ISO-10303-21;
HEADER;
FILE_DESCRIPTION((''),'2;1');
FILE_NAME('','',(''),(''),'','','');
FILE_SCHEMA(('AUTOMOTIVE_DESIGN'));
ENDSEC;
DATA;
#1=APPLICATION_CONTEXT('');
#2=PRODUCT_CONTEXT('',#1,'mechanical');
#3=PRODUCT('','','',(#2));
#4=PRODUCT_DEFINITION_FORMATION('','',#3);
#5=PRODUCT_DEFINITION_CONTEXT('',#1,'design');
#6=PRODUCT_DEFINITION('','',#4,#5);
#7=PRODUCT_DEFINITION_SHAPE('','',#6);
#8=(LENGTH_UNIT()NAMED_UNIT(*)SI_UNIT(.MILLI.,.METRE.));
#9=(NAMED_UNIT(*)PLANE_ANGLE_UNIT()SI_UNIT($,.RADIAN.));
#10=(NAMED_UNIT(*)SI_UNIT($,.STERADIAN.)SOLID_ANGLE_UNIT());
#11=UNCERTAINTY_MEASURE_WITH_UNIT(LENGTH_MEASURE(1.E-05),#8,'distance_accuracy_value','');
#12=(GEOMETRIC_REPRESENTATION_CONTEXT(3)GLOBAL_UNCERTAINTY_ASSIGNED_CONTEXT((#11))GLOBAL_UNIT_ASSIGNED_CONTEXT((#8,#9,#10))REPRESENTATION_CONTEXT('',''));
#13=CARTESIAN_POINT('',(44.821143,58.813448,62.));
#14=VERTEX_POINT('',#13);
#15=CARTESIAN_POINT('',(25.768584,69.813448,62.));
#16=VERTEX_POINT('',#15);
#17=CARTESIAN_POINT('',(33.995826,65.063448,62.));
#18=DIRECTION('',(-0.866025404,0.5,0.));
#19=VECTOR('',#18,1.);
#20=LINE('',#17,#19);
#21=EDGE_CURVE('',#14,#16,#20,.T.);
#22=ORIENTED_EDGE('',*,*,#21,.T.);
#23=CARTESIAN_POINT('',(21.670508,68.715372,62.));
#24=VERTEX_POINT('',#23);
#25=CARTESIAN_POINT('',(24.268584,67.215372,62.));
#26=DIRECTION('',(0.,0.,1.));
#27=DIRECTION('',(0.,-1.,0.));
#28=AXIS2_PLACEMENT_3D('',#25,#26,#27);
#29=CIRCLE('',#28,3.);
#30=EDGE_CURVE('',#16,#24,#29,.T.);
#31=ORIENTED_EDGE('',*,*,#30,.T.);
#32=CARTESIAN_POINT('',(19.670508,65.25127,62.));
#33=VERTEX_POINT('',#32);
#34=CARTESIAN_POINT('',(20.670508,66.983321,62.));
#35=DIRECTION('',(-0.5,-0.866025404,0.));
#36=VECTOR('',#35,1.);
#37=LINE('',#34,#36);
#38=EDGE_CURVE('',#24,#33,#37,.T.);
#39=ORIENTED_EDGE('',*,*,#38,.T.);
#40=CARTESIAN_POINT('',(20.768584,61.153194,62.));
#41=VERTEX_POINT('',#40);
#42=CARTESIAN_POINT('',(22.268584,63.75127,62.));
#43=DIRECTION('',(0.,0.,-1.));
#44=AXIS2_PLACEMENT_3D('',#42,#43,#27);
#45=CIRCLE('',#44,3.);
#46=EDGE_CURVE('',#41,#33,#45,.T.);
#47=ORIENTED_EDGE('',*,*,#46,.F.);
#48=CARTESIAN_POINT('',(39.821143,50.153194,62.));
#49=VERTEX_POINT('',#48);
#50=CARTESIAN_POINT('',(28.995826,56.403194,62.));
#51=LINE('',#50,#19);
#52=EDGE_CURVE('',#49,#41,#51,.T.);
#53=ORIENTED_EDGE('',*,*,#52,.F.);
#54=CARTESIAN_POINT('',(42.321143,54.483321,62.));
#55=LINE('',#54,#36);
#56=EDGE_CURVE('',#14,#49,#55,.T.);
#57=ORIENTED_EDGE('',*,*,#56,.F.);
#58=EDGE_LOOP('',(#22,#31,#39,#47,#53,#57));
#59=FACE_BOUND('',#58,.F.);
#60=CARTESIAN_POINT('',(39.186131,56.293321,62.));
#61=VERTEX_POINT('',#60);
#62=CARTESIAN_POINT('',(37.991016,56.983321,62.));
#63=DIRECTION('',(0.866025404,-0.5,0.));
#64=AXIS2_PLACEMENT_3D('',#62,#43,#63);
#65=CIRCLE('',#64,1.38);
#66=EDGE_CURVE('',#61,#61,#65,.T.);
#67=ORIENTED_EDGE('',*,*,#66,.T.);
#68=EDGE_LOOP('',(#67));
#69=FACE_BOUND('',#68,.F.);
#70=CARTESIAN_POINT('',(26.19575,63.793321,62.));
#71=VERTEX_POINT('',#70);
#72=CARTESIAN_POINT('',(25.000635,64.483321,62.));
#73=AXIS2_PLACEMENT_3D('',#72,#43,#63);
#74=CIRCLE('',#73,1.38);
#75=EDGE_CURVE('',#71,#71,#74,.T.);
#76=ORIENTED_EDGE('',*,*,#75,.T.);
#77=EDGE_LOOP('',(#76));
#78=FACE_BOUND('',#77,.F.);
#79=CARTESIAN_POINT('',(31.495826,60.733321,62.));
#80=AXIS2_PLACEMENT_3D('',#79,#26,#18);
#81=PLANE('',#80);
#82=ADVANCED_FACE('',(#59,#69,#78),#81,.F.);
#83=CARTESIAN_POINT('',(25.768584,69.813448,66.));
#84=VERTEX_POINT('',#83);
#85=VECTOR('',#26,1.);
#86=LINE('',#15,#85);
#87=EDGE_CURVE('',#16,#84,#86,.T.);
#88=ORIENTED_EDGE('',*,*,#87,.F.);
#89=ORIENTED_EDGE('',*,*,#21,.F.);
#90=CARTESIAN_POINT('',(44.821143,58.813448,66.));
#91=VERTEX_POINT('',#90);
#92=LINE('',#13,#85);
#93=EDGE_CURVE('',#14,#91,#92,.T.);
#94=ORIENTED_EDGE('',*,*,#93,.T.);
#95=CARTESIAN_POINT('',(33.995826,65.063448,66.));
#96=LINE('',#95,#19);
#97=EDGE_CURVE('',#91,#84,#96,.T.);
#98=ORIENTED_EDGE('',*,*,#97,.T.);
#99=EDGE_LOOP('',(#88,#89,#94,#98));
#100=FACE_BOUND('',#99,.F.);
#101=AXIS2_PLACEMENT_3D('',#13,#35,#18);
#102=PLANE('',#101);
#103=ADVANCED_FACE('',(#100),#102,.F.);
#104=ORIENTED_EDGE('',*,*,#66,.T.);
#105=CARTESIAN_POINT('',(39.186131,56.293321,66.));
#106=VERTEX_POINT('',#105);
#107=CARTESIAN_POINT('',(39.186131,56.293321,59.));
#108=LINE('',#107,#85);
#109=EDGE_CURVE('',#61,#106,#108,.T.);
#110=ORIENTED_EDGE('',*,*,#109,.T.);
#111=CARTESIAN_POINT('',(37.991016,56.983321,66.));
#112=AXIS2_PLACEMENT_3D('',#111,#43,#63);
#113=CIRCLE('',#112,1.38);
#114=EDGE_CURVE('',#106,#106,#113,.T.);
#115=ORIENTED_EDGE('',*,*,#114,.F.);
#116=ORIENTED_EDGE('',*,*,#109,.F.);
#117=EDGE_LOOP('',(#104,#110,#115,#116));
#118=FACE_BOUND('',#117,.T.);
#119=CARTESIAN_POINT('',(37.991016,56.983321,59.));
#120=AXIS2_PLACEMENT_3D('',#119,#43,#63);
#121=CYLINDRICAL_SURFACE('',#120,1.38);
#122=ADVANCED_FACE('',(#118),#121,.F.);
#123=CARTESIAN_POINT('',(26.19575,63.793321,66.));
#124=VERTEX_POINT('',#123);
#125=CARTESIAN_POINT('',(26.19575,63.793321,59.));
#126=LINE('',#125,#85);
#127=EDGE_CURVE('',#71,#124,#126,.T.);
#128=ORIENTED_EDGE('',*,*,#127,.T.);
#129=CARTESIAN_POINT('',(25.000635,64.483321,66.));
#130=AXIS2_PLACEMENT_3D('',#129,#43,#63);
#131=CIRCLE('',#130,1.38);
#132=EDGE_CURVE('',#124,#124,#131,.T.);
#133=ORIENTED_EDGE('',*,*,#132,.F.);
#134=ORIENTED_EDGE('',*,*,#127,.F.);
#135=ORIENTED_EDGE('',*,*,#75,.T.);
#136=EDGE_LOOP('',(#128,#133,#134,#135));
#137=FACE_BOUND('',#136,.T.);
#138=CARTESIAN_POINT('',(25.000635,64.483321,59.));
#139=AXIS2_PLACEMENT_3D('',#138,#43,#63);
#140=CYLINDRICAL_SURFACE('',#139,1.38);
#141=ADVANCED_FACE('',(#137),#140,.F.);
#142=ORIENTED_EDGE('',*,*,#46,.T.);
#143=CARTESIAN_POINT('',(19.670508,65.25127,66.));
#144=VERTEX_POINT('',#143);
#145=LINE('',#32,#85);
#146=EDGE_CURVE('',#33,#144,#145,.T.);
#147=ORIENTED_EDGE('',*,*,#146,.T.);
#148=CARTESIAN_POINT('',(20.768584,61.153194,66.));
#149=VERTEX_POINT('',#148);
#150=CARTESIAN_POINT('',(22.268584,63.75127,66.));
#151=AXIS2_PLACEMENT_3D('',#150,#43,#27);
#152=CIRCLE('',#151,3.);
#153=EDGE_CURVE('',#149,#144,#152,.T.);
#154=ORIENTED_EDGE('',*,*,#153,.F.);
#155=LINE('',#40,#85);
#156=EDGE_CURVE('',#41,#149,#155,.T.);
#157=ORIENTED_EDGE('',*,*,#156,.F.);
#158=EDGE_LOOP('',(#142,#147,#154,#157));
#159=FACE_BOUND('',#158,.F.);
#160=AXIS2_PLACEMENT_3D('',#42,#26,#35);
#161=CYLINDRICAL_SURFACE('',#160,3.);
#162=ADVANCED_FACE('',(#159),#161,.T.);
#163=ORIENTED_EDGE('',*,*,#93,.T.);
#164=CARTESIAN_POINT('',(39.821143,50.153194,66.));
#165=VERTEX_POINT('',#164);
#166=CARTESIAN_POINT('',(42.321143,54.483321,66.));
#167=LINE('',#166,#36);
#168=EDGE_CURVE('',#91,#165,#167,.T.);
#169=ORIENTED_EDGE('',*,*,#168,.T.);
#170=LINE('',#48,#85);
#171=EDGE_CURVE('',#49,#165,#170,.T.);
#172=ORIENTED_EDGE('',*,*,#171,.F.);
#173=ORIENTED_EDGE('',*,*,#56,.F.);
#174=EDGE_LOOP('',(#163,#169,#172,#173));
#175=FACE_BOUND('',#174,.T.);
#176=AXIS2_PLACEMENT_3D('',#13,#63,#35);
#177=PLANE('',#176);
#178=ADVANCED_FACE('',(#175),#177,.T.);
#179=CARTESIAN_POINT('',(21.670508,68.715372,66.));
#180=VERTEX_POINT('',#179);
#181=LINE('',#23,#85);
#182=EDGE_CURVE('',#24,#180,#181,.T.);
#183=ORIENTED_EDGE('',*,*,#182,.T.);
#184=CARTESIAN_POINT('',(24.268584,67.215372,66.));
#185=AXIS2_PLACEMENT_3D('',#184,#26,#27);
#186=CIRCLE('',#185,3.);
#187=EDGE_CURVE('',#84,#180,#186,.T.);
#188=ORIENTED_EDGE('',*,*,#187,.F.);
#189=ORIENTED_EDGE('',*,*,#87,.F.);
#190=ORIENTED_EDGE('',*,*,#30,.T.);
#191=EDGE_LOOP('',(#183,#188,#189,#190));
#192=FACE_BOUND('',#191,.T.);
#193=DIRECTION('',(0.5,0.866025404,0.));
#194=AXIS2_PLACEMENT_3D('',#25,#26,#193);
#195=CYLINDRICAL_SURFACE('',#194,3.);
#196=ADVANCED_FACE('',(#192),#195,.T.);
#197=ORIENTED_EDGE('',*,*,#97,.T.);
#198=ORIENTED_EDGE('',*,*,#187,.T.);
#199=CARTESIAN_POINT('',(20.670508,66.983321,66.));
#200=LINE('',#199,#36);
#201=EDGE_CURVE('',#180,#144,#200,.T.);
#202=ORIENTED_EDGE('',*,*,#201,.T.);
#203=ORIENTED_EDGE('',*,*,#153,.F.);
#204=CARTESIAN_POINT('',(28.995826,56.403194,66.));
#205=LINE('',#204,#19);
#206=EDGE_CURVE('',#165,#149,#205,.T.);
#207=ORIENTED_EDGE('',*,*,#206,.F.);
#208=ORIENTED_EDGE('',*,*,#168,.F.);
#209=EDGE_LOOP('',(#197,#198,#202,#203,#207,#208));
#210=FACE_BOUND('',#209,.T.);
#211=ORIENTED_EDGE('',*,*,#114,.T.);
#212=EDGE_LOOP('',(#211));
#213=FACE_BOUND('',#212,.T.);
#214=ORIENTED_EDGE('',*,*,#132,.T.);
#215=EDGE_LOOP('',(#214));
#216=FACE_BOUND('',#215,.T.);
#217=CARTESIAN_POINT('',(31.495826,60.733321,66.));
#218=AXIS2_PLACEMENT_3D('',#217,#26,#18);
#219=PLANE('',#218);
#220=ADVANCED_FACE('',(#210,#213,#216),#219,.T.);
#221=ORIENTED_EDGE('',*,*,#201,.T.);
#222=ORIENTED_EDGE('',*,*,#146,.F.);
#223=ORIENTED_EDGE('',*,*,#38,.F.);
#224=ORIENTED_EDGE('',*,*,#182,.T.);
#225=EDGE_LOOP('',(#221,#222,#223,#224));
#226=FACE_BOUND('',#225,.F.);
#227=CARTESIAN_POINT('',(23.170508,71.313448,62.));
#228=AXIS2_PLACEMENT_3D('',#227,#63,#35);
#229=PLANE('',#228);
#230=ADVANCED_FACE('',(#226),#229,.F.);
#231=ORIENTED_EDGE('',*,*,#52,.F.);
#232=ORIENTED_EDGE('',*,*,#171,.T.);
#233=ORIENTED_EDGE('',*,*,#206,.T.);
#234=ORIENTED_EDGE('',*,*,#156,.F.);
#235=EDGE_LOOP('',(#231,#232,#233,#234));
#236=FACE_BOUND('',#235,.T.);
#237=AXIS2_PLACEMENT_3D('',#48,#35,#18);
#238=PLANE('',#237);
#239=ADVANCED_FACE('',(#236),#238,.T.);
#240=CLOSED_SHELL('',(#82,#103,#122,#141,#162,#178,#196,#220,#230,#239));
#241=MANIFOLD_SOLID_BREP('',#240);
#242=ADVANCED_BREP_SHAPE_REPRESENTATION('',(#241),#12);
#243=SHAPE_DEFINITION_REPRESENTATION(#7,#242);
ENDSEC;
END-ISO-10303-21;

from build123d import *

# Parameters (mm, degrees)
CYLINDER045_R          = 1.38
CYLINDER045_DEPTH      = 10
CYLINDER044_R          = 1.38
CYLINDER044_DEPTH      = 10
BOX026_W               = 25
BOX026_H               = 10
BOX026_DEPTH           = 4
CUT024_PLACEMENT_ANGLE = 30
FILLET001_R            = 3


with BuildPart() as cylinder045:
    # Cylinder045 → Cylinder045 (new body)
    with BuildSketch(Plane(origin=(25, 52, 59), x_dir=(1, 0, 0), z_dir=(0, 0, 1))):
        Circle(CYLINDER045_R)
    extrude(amount=CYLINDER045_DEPTH)


with BuildPart() as cylinder044:
    # Cylinder044 → Cylinder044 (new body)
    with BuildSketch(Plane(origin=(40, 52, 59), x_dir=(1, 0, 0), z_dir=(0, 0, 1))):
        Circle(CYLINDER044_R)
    extrude(amount=CYLINDER044_DEPTH)


with BuildPart() as fillet001:
    # Box026 → Box026 (new body)
    with BuildSketch(Plane(origin=(45, 57, 62), x_dir=(-1, 0, 0), z_dir=(0, 0, 1))):
        with Locations((12.5, 5)):
            Rectangle(BOX026_W, BOX026_H)
    extrude(amount=BOX026_DEPTH)

    # Cut025: cut Cylinder044
    add(cylinder044.part, mode=Mode.SUBTRACT)

    # Cut024: cut Cylinder045
    add(cylinder045.part, mode=Mode.SUBTRACT)


with BuildPart() as fillet001_1:
    # Cut024 placement: moved
    add(fillet001.part.moved(Location((-20.65, 26.95, 0))).rotate(Axis((-20.65, 26.95, 0), (0, 0, -1)), CUT024_PLACEMENT_ANGLE))

    # Fillet001
    fillet001_edges = [fillet001_1.edges().sort_by_distance(p)[0] for p in [
        (25.170508, 66.313448, 64),
        (20.170508, 57.653194, 64),
    ]]
    fillet(fillet001_edges, radius=FILLET001_R)


with BuildPart() as fillet001_2:
    # Fillet001 placement: moved
    add(fillet001_1.part.moved(Location((-2, 5, 0))))


solid = fillet001_2.part
